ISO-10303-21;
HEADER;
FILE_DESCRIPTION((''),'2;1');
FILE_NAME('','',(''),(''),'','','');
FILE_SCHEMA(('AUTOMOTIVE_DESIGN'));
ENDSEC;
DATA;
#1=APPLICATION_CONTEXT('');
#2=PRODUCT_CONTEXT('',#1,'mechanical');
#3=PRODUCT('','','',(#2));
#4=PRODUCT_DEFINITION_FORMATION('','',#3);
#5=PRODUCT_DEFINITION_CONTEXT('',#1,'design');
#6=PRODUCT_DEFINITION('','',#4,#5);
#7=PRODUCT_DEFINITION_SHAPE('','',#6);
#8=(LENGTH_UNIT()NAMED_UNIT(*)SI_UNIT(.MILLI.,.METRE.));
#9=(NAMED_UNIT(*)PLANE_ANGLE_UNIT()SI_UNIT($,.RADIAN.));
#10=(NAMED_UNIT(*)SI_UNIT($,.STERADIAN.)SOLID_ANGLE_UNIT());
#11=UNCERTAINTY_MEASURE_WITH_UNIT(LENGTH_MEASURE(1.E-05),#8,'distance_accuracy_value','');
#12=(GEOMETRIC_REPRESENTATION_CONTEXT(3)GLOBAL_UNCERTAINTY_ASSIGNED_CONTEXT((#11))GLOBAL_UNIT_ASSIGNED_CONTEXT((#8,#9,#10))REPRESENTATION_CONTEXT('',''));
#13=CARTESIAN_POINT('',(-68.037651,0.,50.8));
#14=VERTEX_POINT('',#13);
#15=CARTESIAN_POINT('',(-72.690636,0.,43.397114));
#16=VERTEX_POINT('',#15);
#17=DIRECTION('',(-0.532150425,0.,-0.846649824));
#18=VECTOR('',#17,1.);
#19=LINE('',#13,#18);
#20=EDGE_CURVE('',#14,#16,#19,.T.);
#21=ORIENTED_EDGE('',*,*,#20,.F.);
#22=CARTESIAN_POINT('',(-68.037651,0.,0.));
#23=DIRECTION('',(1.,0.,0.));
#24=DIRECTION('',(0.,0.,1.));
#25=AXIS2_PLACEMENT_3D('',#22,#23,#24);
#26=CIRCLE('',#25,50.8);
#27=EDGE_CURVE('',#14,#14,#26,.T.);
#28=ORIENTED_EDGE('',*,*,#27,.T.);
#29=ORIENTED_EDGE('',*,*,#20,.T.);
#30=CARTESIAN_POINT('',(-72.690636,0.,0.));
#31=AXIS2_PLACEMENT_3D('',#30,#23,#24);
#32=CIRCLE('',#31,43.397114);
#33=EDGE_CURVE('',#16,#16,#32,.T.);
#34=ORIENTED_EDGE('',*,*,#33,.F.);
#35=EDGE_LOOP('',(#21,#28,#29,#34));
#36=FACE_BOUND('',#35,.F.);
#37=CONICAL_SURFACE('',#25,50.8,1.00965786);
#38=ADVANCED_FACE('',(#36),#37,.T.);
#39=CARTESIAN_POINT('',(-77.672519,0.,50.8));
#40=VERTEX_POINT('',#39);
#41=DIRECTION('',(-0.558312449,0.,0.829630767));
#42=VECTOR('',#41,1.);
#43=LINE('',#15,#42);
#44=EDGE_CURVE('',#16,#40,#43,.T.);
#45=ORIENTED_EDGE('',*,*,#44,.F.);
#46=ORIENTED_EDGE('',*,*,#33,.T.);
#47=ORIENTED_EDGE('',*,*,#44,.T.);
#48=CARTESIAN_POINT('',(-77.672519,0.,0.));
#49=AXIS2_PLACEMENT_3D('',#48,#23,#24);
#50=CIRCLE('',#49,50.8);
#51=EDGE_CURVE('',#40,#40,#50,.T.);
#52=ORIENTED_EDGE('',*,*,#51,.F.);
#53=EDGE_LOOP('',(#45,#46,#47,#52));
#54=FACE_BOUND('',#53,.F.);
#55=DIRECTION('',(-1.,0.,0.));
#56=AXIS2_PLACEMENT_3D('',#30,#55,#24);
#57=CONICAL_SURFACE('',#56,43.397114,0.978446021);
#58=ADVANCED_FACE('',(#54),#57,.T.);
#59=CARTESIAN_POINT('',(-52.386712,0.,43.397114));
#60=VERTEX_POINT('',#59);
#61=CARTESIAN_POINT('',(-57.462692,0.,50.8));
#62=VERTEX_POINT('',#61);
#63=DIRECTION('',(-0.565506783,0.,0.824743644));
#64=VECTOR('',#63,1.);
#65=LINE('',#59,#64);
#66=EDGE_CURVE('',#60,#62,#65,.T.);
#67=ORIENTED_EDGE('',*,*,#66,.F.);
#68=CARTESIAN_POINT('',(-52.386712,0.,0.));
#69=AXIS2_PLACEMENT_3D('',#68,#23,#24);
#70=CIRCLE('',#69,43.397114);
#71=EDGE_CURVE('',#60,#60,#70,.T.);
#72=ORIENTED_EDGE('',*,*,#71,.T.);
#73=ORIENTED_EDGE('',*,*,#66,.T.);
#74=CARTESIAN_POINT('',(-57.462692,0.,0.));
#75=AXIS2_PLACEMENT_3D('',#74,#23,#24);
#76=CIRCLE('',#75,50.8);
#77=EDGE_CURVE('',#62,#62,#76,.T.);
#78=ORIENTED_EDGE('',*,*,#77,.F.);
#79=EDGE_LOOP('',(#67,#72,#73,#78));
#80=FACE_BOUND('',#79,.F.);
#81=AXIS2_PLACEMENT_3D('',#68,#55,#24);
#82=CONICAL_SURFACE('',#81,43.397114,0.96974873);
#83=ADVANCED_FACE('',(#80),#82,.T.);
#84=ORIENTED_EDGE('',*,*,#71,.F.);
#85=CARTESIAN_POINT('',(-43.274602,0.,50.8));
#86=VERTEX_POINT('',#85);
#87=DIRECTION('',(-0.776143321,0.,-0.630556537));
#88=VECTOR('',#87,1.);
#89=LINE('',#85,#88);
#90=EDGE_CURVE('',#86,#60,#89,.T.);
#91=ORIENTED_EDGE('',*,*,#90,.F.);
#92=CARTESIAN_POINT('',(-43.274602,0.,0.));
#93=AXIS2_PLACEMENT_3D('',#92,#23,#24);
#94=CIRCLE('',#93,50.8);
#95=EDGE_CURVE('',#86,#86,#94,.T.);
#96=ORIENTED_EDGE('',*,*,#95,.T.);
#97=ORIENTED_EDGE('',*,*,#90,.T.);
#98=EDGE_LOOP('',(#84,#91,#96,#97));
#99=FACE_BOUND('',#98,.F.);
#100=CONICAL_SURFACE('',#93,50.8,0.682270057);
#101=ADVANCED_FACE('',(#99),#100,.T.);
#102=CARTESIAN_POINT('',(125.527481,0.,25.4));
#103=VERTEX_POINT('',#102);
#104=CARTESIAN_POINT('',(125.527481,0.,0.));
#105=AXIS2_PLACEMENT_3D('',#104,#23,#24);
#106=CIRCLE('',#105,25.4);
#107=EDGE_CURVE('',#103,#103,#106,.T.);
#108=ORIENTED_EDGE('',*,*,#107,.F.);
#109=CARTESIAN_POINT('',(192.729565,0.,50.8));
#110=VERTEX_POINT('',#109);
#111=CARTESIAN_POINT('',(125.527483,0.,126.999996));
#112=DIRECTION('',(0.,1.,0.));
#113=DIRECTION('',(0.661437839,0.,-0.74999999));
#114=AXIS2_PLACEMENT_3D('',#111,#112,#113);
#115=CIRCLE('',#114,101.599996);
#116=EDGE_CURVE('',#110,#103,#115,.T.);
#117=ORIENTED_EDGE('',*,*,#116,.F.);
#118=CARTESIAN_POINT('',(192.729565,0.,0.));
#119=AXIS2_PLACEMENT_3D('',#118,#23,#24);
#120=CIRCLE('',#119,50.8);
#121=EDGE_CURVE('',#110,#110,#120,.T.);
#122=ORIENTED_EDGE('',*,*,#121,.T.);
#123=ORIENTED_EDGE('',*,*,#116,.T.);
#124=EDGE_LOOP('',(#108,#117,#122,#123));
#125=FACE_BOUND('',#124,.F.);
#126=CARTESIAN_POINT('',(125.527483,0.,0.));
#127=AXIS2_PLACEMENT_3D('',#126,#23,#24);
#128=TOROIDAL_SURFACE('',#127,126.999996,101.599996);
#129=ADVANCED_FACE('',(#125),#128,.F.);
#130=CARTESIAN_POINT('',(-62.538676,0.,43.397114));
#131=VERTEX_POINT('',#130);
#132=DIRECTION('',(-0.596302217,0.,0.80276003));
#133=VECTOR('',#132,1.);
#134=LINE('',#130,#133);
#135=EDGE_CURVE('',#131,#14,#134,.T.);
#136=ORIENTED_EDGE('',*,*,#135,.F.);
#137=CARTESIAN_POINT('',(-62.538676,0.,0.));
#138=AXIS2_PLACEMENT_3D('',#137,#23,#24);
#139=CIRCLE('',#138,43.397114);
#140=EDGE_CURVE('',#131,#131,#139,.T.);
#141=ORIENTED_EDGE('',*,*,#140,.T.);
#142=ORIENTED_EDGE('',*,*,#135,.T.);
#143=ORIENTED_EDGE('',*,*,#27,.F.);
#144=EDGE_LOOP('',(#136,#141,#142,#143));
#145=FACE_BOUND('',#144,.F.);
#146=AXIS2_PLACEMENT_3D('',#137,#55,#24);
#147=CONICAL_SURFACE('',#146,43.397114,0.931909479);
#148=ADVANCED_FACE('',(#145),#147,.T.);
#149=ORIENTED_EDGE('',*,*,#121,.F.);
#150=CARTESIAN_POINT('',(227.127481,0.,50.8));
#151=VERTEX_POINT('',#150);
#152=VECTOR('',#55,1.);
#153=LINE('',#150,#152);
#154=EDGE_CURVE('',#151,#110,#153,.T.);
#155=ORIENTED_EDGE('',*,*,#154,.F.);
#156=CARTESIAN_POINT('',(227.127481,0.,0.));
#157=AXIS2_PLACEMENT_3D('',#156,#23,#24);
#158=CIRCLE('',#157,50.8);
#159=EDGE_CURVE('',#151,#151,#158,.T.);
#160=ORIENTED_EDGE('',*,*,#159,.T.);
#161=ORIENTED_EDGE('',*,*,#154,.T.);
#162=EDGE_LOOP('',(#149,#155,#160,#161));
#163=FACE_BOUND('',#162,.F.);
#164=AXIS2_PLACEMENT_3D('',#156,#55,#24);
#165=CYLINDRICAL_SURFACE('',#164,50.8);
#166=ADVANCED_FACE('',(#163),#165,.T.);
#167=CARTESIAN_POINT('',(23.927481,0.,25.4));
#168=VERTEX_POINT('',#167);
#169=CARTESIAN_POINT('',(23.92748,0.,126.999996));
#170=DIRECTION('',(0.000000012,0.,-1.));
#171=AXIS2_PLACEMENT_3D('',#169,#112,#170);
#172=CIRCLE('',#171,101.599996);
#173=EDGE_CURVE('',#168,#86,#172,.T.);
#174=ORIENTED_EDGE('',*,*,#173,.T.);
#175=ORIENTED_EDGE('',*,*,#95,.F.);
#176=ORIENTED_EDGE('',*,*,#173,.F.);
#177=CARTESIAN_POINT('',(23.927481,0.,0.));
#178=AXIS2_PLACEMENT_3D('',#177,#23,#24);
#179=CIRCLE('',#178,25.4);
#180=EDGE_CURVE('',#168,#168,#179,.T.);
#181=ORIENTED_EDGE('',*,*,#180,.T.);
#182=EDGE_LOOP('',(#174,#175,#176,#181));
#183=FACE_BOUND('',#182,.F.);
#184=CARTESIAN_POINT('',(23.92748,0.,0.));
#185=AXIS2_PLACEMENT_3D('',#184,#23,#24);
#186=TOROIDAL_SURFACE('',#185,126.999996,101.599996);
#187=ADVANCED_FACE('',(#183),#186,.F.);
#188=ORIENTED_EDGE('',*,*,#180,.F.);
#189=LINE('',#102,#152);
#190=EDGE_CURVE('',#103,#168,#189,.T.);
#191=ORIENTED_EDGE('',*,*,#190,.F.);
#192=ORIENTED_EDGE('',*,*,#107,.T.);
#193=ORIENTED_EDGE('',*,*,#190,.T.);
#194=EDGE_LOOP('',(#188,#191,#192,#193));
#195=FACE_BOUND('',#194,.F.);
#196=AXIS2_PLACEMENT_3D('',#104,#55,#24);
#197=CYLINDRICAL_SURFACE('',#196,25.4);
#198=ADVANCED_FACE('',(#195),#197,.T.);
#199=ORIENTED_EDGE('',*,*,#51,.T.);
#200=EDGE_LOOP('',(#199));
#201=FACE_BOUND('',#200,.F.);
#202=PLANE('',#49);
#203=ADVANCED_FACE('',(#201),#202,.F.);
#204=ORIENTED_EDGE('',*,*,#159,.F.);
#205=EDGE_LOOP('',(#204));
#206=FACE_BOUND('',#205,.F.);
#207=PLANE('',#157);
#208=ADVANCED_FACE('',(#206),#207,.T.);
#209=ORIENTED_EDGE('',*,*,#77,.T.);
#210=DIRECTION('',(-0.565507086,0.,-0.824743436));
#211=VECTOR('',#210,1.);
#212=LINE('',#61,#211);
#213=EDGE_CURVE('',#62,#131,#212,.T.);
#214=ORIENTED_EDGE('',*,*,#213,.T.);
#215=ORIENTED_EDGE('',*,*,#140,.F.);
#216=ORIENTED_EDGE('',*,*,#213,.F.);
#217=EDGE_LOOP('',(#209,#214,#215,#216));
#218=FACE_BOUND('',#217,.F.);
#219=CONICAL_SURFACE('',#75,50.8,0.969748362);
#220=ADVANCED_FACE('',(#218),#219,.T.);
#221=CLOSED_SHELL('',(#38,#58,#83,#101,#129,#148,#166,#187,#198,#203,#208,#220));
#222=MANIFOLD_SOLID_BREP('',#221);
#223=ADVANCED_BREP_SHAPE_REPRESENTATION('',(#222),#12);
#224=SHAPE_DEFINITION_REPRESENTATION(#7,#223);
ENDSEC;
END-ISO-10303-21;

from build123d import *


with BuildPart() as f1:
    # F0 (on Front) → F1 (revolve)
    with BuildSketch(Plane.XZ):
        with BuildLine():
            Line((-77.672519, 50.8), (-77.672519, 0))
            Line((-77.672519, 0), (227.127481, 0))
            Line((227.127481, 0), (227.127481, 50.8))
            Line((227.127481, 50.8), (192.729565, 50.8))
            ThreePointArc((192.729565, 50.8), (161.448506, 31.961902), (125.527481, 25.4))
            Line((125.527481, 25.4), (23.927481, 25.4))
            ThreePointArc((23.927481, 25.4), (-11.993543, 31.961902), (-43.274602, 50.8))
            Line((-43.274602, 50.8), (-52.386712, 43.397114))
            Line((-52.386712, 43.397114), (-57.462692, 50.8))
            Line((-57.462692, 50.8), (-62.538676, 43.397114))
            Line((-62.538676, 43.397114), (-68.037651, 50.8))
            Line((-68.037651, 50.8), (-72.690636, 43.397114))
            Line((-72.690636, 43.397114), (-77.672519, 50.8))
        make_face()
    revolve(axis=Axis((74.727481, 0, 0), (1, 0, 0)))


solid = f1.part
